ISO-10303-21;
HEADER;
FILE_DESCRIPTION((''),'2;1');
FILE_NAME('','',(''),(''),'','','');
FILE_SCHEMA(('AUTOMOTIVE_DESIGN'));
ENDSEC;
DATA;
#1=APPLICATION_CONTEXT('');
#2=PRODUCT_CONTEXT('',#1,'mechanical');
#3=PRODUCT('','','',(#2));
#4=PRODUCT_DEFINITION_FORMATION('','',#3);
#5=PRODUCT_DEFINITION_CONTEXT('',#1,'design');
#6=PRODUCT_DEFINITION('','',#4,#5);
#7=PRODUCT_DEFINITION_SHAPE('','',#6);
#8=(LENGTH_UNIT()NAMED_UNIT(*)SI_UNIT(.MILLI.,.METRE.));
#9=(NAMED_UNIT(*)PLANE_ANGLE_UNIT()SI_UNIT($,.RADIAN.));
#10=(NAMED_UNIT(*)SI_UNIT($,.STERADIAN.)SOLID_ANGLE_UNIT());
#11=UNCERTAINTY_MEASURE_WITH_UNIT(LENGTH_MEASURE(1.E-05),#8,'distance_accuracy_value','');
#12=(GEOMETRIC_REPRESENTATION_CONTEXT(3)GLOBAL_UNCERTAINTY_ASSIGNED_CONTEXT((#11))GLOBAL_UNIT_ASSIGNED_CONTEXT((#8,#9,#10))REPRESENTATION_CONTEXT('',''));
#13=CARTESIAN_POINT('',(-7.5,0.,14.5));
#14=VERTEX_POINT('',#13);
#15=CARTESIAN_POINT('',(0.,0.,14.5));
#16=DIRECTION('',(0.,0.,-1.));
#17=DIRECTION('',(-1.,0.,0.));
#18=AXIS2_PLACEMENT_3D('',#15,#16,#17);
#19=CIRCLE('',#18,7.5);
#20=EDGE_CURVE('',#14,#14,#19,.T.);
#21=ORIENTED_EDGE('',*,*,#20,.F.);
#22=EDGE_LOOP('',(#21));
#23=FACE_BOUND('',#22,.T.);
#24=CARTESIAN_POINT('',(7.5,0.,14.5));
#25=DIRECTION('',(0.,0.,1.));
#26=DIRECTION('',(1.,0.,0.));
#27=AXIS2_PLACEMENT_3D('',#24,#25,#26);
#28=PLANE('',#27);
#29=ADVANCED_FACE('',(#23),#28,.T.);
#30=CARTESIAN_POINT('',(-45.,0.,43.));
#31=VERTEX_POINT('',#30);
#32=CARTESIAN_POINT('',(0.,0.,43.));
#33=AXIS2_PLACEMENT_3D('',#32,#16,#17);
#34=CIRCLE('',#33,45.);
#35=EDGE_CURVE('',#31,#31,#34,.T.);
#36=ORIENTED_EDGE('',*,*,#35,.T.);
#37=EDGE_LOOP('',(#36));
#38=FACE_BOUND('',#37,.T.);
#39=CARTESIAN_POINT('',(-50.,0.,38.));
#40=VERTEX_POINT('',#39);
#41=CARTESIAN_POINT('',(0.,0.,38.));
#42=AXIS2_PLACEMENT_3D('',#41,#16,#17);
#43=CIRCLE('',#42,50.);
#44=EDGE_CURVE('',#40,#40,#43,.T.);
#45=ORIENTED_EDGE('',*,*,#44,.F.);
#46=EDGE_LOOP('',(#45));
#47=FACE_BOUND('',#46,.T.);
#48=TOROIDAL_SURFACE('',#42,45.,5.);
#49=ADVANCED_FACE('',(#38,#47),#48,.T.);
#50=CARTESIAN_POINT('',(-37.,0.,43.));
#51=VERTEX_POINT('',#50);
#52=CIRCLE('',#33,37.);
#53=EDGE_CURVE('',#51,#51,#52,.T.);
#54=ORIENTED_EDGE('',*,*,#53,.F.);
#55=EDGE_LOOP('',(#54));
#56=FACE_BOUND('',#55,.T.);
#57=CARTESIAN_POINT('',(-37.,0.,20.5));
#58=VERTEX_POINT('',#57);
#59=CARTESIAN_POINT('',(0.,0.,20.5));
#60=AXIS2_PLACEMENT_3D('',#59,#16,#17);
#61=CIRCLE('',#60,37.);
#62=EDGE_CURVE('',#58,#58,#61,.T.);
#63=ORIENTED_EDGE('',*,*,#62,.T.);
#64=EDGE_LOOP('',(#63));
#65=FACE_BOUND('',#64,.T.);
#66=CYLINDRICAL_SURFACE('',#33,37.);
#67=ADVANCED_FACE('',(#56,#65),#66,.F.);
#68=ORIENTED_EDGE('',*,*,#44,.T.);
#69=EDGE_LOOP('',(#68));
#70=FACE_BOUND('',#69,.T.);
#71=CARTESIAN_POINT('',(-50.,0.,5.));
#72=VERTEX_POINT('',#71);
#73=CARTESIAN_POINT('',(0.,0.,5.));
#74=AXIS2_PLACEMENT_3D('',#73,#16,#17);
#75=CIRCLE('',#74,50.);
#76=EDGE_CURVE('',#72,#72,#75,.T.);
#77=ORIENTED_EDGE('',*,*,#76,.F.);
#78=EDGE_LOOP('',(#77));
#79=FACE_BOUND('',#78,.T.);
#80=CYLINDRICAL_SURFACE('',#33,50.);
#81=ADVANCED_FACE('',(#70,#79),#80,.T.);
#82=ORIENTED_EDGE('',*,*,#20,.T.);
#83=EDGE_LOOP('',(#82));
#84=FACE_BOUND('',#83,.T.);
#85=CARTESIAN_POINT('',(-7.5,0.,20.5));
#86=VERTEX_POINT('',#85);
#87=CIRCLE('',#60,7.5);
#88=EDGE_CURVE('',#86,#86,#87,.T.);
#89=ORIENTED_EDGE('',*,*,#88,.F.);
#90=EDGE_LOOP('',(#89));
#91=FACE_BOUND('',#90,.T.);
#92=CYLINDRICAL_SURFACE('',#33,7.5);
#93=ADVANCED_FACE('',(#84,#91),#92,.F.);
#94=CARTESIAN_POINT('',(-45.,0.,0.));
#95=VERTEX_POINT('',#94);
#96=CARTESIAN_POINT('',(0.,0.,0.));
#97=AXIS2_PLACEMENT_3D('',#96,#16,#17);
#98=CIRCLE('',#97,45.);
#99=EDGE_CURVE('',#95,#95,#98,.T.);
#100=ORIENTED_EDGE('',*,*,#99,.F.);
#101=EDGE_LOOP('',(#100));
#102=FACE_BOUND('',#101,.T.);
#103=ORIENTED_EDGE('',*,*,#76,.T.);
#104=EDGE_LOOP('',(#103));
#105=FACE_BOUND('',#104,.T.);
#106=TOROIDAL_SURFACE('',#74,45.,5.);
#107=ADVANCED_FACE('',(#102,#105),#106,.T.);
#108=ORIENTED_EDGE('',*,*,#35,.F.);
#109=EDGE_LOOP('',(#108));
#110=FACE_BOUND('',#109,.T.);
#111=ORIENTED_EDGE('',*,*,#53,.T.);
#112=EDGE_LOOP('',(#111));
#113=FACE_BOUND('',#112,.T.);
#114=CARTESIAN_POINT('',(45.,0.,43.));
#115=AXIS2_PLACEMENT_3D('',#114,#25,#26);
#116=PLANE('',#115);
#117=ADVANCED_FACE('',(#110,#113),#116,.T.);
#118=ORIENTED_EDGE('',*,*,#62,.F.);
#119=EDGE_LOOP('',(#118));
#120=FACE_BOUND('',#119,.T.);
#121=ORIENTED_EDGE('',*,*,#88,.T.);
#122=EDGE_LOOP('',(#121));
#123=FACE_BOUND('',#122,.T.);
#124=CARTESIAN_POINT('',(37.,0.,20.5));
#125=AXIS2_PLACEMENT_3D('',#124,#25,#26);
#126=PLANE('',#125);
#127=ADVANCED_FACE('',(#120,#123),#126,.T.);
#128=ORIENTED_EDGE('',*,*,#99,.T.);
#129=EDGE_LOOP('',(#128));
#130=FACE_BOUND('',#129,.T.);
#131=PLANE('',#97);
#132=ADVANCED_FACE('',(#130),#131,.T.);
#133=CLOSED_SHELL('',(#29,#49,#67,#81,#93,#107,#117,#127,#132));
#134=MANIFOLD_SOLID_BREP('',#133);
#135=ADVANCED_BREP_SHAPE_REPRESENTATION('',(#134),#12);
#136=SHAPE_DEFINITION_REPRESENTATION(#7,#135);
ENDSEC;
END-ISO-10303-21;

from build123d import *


with BuildPart() as part:
    # Sketch1 → Revolve1 (revolve)
    with BuildSketch(Plane.XZ, mode=Mode.PRIVATE) as revolve1_sk:
        with BuildLine():
            Line((7.5, 14.5), (0, 14.5))
            Line((0, 14.5), (0, 0))
            Line((0, 0), (45, 0))
            ThreePointArc((45, 0), (48.535533906, 1.464466094), (50, 5))
            Line((50, 5), (50, 38))
            ThreePointArc((50, 38), (48.535533906, 41.535533906), (45, 43))
            Line((45, 43), (37, 43))
            Line((37, 43), (37, 20.5))
            Line((37, 20.5), (7.5, 20.5))
            Line((7.5, 20.5), (7.5, 14.5))
        make_face()
    revolve(revolve1_sk.sketch.rotate(Axis((0, 0, 43), (0, 0, -1)), 180), axis=Axis((0, 0, 43), (0, 0, -1)))


solid = part.part
